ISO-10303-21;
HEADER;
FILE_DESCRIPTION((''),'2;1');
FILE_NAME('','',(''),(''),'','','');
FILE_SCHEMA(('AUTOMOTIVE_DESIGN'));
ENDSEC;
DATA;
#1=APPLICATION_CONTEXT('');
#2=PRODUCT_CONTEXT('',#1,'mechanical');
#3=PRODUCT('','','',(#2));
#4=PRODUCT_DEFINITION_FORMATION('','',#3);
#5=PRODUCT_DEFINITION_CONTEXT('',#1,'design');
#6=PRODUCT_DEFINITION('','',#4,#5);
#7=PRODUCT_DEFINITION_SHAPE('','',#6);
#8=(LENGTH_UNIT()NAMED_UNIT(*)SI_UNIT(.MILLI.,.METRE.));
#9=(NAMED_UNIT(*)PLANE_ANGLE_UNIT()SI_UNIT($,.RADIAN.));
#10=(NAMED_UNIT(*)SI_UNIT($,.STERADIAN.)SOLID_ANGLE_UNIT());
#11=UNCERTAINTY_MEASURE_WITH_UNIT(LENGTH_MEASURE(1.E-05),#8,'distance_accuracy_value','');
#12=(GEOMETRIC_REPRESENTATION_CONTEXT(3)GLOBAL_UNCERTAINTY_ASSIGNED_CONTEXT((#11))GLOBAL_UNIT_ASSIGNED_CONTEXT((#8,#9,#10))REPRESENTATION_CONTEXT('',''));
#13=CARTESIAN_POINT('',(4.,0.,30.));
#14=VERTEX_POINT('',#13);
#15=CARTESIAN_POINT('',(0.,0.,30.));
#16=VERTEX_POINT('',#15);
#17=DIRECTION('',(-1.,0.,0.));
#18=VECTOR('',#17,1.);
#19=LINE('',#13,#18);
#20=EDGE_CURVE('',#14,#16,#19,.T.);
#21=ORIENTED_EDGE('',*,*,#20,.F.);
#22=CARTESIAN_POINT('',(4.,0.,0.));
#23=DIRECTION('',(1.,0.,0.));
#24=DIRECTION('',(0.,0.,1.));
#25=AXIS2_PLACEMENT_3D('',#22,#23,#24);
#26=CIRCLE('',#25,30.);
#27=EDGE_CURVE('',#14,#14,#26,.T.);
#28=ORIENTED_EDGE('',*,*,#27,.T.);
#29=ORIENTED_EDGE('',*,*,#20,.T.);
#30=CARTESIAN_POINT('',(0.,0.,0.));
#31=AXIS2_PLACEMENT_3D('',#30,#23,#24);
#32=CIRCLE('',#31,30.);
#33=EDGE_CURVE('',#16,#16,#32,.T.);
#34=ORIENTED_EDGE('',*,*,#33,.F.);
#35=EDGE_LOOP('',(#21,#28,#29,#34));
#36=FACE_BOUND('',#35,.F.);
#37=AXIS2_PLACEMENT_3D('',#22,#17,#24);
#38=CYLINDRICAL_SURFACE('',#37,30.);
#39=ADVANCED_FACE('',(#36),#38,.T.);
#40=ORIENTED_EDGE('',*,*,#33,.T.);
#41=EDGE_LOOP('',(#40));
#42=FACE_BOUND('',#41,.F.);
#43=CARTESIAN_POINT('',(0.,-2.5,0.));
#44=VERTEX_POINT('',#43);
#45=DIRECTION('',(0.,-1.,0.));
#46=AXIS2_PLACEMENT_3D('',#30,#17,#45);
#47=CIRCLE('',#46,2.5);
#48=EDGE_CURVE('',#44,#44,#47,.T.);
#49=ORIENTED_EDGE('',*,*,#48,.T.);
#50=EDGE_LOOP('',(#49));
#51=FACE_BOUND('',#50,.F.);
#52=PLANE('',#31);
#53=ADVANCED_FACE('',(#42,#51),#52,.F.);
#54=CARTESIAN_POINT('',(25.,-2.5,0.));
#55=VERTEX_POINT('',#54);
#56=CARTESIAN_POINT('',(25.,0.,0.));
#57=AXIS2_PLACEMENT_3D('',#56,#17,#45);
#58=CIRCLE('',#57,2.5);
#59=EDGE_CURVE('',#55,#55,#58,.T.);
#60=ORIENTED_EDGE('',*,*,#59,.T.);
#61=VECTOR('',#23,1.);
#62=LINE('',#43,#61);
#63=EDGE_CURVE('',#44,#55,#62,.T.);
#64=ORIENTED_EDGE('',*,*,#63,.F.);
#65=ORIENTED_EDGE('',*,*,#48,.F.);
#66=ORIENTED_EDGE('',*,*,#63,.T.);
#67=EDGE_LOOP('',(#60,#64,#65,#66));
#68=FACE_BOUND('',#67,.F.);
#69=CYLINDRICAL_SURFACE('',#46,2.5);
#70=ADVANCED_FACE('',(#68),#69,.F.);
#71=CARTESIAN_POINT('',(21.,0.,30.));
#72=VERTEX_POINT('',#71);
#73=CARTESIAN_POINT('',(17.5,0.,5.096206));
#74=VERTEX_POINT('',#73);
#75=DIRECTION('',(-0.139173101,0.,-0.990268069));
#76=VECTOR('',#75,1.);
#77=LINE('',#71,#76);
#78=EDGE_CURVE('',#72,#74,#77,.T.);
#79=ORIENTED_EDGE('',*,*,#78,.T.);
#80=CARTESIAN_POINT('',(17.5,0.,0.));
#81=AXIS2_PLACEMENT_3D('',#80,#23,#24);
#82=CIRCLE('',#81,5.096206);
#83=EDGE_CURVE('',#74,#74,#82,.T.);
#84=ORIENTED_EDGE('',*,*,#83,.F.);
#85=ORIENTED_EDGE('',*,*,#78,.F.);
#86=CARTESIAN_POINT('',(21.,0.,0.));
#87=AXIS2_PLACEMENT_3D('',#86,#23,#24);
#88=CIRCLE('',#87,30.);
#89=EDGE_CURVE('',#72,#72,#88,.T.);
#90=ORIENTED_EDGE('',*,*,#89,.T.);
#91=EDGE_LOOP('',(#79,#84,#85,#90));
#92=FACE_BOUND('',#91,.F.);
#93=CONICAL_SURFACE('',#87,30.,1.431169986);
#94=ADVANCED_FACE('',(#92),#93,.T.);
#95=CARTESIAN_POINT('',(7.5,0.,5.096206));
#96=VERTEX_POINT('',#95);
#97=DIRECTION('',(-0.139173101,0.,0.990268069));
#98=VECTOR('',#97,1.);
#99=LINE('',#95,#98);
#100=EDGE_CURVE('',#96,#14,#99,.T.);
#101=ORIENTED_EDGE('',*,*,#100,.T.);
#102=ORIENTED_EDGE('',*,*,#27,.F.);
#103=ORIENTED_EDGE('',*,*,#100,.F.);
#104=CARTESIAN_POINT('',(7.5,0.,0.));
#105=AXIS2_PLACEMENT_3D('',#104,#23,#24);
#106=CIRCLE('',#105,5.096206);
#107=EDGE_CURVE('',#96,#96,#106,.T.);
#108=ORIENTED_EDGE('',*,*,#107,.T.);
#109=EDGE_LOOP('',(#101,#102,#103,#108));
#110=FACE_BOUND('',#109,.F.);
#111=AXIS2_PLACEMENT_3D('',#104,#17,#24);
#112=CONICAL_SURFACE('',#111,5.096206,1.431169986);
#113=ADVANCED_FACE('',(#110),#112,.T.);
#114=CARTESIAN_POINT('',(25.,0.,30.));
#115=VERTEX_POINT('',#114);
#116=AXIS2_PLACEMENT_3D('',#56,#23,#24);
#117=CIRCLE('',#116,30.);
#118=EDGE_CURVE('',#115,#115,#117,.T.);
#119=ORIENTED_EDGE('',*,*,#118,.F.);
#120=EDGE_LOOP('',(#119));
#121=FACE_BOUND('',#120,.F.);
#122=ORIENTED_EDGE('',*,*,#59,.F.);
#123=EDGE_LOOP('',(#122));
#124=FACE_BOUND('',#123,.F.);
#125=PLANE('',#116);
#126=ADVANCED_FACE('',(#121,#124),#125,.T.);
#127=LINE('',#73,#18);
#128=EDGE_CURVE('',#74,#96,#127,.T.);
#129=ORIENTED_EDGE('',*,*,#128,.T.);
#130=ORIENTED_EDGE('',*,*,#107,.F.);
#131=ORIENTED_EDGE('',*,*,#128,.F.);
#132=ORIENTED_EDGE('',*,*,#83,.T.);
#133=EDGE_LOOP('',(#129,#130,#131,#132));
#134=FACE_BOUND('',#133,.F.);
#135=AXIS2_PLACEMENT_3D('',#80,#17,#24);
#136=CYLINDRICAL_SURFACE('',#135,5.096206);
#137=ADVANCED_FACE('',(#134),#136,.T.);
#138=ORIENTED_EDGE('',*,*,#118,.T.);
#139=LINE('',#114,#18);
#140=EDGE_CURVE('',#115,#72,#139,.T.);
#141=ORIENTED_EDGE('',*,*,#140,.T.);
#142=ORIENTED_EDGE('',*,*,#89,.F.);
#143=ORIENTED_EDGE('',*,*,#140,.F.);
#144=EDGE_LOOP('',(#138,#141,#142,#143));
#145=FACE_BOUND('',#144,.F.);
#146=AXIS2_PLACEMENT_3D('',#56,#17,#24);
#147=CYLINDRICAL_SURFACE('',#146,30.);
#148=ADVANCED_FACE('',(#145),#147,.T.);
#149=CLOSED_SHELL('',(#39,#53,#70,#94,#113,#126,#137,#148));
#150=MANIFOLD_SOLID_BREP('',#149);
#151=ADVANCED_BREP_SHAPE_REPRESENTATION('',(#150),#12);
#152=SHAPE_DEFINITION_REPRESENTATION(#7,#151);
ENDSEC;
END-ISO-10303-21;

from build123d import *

# Parameters (mm, degrees)
F2_R     = 2.5
F3_DEPTH = 25.001


with BuildPart() as f1:
    # F0 (on Front) → F1 (revolve)
    with BuildSketch(Plane.XZ):
        Polygon((0, 30), (0, 0), (25, 0), (25, 30), (21, 30), (17.5, 5.096206), (7.5, 5.096206), (4, 30), align=None)
    revolve(axis=Axis((12.5, 0, 0), (1, 0, 0)))

    # F2 (on face) → F3 (cut, through all)
    with BuildSketch(Plane(origin=(0, 0, 0), x_dir=(0, -1, 0), z_dir=(-1, 0, 0))):
        Circle(F2_R)
    extrude(amount=-F3_DEPTH, mode=Mode.SUBTRACT)


solid = f1.part
